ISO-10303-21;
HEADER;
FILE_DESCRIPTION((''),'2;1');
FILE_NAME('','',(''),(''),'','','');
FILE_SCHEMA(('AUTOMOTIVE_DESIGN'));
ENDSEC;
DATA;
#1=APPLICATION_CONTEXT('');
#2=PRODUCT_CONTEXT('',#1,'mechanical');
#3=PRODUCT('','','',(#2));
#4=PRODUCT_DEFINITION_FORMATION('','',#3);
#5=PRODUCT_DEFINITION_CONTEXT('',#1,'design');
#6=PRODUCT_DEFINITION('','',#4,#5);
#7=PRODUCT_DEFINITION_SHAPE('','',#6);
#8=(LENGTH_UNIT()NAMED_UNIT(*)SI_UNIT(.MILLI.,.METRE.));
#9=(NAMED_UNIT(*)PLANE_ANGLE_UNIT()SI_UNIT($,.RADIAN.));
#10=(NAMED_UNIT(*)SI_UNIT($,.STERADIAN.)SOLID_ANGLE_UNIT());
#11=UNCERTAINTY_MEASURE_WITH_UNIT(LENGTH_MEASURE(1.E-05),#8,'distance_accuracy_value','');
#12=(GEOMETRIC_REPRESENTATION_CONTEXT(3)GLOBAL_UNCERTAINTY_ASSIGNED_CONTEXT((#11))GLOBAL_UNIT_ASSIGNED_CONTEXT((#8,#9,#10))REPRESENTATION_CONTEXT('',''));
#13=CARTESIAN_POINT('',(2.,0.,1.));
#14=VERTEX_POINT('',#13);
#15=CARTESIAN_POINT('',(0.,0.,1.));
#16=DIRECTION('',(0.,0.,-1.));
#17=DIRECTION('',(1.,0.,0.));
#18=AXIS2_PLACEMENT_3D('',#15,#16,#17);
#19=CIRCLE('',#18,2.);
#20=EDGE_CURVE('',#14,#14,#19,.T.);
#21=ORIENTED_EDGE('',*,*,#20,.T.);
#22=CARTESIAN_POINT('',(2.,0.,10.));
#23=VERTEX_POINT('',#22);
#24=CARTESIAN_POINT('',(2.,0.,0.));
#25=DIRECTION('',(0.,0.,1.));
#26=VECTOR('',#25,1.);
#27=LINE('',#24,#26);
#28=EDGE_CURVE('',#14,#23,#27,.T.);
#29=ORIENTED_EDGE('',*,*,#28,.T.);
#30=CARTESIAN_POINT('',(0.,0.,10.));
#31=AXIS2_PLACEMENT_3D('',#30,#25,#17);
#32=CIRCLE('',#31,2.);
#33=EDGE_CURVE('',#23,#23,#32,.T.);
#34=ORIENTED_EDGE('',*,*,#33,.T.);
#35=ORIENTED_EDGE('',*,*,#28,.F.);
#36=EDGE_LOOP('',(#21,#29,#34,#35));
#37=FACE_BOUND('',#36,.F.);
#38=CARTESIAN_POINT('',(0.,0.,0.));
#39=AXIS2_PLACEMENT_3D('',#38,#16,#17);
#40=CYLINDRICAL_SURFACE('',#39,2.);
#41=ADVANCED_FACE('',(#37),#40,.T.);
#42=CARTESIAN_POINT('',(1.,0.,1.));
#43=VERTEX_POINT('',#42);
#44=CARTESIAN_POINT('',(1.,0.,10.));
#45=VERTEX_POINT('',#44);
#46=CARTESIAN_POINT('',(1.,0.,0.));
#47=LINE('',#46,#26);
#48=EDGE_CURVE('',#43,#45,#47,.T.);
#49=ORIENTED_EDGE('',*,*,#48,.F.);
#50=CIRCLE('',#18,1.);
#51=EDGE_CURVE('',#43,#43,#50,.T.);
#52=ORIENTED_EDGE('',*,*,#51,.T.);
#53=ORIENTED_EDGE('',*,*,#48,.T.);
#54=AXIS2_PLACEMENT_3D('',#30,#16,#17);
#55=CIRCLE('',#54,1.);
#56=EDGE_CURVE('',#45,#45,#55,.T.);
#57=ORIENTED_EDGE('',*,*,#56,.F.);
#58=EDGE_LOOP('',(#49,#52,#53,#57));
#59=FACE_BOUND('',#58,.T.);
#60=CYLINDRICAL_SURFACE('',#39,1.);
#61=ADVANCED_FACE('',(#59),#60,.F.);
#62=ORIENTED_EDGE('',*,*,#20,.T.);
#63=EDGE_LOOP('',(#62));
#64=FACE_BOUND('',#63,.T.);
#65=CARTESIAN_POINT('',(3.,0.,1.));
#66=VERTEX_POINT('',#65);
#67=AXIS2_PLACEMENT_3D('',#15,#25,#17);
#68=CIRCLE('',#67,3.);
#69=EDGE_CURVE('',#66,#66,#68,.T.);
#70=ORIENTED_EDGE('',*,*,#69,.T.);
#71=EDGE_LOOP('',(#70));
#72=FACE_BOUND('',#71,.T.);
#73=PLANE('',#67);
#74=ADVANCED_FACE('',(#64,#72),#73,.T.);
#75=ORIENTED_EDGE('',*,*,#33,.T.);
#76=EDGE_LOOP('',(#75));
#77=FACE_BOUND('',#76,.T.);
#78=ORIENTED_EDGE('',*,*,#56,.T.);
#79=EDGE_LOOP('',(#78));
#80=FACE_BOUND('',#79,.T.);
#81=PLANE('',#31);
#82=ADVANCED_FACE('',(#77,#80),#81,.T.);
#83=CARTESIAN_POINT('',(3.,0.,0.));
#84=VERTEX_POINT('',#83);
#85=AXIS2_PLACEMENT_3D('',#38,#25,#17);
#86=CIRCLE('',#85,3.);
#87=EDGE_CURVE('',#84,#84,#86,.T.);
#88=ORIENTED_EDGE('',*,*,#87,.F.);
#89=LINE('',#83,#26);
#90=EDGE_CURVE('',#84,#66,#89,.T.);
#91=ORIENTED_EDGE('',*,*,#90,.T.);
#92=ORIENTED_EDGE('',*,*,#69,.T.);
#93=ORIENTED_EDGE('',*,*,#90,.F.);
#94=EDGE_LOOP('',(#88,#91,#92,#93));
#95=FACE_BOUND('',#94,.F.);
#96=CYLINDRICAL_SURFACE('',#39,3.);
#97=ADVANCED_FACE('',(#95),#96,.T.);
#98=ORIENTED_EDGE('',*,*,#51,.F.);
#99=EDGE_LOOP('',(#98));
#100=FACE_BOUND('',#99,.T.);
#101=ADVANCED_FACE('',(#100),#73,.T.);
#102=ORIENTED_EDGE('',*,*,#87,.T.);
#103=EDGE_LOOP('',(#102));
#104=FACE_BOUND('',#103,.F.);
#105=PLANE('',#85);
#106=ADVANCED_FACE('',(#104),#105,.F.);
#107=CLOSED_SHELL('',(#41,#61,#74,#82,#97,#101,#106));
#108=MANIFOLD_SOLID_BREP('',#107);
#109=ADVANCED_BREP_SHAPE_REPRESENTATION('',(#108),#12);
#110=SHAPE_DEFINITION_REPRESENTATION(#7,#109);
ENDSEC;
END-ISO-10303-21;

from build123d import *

# Parameters (mm, degrees)
CIRCLE002_R      = 3
EXTRUDE002_DEPTH = 1
CIRCLE_R         = 1
EXTRUDE_DEPTH    = 11
CIRCLE001_R      = 2
EXTRUDE001_DEPTH = 10


with BuildPart() as ext_foot:
    # Circle002 → Extrude002 (new body)
    with BuildSketch(Plane.XY):
        Circle(CIRCLE002_R)
    extrude(amount=EXTRUDE002_DEPTH)


with BuildPart() as ext_inner:
    # Circle → Extrude (new body)
    with BuildSketch(Plane.XY):
        Circle(CIRCLE_R)
    extrude(amount=EXTRUDE_DEPTH)


with BuildPart() as anti_flex:
    # Circle001 → Extrude001 (new body)
    with BuildSketch(Plane.XY):
        Circle(CIRCLE001_R)
    extrude(amount=EXTRUDE001_DEPTH)

    # Cut: cut ext_inner
    add(ext_inner.part, mode=Mode.SUBTRACT)

    # Fusion: union ext_foot
    add(ext_foot.part)


solid = anti_flex.part
